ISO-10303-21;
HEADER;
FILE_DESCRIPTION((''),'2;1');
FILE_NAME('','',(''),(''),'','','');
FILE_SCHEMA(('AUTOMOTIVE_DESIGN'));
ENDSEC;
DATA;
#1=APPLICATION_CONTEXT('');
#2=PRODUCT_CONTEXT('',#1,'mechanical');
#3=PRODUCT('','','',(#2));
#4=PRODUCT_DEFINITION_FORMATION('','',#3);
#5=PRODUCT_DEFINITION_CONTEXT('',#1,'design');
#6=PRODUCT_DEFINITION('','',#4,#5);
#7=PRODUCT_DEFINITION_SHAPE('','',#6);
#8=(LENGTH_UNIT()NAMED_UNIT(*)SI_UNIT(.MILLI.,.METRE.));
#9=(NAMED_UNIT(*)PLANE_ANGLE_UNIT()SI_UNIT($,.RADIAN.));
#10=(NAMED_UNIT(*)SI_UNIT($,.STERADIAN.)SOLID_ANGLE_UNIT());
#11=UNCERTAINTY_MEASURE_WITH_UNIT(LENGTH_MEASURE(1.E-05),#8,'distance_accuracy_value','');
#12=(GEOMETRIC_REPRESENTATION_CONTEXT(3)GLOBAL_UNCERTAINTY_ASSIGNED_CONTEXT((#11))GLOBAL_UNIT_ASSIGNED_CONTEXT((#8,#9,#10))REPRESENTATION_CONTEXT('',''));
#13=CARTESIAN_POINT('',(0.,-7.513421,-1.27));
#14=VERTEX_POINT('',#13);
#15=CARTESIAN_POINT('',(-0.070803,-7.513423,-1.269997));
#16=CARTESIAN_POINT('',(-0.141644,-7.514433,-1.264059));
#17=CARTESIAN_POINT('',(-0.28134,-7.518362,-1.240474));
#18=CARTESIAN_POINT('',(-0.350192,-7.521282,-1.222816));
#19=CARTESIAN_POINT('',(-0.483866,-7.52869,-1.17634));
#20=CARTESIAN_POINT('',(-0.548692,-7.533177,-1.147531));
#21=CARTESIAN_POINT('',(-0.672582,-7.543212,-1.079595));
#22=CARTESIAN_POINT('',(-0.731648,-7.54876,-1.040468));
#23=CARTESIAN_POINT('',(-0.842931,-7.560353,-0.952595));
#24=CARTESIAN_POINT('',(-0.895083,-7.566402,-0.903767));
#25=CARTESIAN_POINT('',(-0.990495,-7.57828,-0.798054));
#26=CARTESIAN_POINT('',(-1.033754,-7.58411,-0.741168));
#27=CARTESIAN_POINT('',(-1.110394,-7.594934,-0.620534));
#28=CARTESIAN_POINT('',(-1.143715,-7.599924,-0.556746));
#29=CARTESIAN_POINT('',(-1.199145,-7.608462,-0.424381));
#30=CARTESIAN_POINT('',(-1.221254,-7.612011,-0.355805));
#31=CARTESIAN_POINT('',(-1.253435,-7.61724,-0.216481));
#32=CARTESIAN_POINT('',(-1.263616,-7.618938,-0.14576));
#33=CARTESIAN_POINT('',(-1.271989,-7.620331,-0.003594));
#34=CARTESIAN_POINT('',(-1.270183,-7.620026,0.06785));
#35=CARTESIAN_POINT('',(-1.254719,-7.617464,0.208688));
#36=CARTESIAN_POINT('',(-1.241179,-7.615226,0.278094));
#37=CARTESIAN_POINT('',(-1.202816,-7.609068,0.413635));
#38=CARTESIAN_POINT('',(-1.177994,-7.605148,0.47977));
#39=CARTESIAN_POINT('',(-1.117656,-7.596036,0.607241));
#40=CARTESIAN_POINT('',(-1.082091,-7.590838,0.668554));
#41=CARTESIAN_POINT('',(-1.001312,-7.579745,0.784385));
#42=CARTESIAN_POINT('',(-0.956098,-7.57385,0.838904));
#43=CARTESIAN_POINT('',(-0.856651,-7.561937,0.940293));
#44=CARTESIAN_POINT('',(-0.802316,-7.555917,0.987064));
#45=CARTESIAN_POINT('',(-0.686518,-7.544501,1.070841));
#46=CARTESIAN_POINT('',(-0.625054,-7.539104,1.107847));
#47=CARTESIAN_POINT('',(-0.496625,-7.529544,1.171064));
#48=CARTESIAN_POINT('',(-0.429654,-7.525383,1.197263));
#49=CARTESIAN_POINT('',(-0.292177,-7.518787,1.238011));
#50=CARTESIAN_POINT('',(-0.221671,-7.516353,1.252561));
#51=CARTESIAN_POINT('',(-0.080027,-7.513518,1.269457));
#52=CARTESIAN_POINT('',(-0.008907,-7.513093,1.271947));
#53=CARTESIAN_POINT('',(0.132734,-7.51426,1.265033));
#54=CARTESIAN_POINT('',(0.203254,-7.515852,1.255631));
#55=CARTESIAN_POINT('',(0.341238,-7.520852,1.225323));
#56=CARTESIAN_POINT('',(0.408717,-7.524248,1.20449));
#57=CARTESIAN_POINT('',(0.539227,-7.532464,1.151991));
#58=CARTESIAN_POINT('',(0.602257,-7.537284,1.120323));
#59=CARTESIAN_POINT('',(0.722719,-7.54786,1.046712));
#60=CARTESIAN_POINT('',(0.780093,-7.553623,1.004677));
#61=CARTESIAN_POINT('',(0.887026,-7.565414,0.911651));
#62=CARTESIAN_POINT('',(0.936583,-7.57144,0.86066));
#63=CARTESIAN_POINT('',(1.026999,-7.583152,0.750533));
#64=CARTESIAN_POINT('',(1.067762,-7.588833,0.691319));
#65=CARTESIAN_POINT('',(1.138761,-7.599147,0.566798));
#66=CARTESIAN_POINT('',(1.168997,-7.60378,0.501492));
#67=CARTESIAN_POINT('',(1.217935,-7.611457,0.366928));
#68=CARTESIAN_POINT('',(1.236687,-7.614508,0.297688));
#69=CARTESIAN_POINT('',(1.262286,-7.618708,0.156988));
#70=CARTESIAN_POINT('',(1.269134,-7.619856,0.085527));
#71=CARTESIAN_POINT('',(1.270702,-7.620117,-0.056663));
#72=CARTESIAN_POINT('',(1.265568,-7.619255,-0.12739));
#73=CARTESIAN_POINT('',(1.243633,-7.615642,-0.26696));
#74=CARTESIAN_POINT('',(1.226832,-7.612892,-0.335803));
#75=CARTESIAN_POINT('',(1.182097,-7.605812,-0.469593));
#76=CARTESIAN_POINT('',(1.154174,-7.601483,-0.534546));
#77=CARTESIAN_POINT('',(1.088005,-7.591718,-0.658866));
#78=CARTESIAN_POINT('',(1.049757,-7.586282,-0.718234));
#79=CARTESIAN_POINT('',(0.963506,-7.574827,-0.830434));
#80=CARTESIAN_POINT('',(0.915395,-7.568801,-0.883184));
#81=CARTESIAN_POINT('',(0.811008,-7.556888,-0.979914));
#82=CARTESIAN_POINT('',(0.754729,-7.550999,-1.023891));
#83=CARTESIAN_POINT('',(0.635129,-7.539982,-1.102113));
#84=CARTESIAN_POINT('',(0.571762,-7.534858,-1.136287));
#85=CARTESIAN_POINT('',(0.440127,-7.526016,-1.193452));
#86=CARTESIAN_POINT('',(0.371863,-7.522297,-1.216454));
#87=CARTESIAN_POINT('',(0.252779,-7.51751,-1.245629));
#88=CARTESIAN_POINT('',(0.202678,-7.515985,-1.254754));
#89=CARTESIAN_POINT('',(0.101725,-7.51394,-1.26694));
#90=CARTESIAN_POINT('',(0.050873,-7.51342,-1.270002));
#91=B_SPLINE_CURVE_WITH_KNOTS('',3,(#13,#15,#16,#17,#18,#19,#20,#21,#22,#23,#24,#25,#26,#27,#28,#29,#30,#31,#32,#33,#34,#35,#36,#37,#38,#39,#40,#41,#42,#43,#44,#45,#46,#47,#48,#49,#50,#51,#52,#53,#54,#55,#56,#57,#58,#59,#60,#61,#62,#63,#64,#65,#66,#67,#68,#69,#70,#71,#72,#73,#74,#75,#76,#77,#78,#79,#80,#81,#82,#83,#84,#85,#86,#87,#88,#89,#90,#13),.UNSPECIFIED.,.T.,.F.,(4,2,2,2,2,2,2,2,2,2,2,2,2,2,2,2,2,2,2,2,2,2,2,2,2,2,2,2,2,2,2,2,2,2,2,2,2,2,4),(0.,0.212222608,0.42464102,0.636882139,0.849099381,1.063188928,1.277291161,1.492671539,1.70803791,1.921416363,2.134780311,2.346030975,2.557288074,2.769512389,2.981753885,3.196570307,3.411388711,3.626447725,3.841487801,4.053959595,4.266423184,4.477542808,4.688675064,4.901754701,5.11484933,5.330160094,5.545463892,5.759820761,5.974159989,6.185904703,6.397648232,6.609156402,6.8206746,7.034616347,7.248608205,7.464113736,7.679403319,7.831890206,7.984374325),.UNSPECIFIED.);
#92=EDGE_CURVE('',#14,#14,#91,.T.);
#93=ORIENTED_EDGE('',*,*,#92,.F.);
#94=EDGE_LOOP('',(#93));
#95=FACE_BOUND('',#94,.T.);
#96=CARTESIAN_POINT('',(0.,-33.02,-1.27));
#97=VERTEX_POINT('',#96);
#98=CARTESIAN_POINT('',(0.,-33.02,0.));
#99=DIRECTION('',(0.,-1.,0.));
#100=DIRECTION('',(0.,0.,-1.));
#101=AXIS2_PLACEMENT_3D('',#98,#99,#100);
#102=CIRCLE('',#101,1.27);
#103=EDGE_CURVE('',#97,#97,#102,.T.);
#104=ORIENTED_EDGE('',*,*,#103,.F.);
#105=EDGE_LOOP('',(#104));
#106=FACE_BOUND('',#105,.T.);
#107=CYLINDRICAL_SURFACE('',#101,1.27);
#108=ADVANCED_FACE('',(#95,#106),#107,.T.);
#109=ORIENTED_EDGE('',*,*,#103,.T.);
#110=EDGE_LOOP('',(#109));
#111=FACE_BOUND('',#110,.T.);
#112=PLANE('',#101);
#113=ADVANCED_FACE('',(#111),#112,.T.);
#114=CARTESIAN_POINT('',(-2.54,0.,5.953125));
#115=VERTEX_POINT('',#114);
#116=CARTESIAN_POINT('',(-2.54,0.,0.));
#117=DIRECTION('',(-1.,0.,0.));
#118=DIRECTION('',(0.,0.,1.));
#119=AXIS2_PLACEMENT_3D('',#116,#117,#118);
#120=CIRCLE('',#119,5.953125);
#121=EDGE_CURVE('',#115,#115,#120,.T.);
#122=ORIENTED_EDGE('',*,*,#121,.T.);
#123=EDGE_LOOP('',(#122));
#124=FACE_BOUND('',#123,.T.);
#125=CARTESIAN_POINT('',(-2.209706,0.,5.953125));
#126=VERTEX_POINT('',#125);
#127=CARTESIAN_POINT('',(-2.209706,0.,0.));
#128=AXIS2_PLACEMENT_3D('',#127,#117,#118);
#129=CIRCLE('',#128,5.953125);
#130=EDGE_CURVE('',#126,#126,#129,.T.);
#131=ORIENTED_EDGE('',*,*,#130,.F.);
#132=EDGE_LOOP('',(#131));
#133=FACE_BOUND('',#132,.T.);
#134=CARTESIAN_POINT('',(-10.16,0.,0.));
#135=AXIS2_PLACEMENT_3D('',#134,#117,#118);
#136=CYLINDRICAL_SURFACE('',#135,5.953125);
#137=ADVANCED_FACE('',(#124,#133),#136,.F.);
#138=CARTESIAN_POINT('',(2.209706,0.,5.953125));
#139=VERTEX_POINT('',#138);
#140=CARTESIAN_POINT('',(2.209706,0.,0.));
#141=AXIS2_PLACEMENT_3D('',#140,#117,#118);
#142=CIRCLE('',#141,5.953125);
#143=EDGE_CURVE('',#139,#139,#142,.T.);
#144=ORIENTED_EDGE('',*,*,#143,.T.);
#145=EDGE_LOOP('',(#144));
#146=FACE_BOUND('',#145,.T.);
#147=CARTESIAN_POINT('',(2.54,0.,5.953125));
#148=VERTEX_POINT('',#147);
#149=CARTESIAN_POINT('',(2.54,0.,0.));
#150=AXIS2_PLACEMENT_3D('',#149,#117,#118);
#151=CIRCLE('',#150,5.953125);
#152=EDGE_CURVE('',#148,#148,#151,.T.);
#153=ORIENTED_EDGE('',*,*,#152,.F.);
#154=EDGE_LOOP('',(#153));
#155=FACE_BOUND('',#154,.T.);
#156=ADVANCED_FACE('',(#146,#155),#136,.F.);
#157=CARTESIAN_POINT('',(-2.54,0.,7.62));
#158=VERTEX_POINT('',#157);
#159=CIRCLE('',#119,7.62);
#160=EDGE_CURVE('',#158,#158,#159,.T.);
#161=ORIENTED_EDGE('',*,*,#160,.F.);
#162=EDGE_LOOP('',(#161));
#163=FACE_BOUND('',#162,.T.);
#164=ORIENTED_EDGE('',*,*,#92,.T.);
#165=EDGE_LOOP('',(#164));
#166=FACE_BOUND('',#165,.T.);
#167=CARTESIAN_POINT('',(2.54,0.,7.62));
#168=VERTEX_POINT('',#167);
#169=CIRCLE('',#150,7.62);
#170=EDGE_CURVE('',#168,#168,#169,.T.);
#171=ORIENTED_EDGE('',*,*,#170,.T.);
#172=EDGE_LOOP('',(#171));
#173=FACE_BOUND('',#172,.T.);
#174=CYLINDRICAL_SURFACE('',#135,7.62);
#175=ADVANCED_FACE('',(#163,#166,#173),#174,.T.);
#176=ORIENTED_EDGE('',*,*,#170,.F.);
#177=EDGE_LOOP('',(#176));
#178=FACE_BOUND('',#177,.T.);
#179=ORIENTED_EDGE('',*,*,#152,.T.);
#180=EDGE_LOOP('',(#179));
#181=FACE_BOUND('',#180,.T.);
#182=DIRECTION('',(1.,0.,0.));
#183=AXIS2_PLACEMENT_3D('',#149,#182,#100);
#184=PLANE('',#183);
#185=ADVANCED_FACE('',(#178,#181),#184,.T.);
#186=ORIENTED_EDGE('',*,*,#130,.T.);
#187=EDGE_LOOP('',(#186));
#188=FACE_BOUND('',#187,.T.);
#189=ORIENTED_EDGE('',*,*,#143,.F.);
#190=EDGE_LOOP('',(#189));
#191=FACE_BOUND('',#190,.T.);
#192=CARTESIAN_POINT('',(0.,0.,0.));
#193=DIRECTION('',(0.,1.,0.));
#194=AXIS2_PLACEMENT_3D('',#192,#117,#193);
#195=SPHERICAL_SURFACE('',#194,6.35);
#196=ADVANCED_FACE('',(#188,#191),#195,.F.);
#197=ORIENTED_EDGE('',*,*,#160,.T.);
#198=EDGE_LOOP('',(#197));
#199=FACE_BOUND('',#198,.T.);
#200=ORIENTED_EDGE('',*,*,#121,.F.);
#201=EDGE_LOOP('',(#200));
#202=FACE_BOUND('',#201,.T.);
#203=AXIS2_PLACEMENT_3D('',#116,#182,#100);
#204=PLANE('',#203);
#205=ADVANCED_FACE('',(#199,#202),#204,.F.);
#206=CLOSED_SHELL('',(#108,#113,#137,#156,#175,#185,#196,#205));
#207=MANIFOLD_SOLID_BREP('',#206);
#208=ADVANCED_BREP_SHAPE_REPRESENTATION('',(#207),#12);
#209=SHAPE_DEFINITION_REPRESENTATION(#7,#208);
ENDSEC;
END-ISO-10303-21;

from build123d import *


with BuildPart() as part:
    # Sketch1 → Revolve1 (revolve)
    with BuildSketch(Plane.XY):
        with BuildLine():
            Line((2.54, 7.62), (-2.54, 7.62))
            Line((-2.54, 7.62), (-2.54, 5.953125))
            Line((-2.54, 5.953125), (-2.209706481, 5.953125))
            ThreePointArc((-2.209706481, 5.953125), (0, 6.35), (2.209706481, 5.953125))
            Line((2.209706481, 5.953125), (2.54, 5.953125))
            Line((2.54, 5.953125), (2.54, 7.62))
        make_face()
    revolve(axis=Axis((-10.16, 0, 0), (1, 0, 0)))

    # Sketch2 → Revolve2 (revolve)
    with BuildSketch(Plane(origin=(0, 0, 0), x_dir=(0, 0, -1), z_dir=(1, 0, 0))):
        with BuildLine():
            Line((1.27, -7.513421325), (1.27, -33.02))
            Line((1.27, -33.02), (0, -33.02))
            Line((0, -33.02), (0, -7.62))
            ThreePointArc((0, -7.62), (0.637232103, -7.593308584), (1.27, -7.513421325))
        make_face()
    revolve(axis=Axis((0, -33.02, 0), (0, 1, 0)))


solid = part.part
